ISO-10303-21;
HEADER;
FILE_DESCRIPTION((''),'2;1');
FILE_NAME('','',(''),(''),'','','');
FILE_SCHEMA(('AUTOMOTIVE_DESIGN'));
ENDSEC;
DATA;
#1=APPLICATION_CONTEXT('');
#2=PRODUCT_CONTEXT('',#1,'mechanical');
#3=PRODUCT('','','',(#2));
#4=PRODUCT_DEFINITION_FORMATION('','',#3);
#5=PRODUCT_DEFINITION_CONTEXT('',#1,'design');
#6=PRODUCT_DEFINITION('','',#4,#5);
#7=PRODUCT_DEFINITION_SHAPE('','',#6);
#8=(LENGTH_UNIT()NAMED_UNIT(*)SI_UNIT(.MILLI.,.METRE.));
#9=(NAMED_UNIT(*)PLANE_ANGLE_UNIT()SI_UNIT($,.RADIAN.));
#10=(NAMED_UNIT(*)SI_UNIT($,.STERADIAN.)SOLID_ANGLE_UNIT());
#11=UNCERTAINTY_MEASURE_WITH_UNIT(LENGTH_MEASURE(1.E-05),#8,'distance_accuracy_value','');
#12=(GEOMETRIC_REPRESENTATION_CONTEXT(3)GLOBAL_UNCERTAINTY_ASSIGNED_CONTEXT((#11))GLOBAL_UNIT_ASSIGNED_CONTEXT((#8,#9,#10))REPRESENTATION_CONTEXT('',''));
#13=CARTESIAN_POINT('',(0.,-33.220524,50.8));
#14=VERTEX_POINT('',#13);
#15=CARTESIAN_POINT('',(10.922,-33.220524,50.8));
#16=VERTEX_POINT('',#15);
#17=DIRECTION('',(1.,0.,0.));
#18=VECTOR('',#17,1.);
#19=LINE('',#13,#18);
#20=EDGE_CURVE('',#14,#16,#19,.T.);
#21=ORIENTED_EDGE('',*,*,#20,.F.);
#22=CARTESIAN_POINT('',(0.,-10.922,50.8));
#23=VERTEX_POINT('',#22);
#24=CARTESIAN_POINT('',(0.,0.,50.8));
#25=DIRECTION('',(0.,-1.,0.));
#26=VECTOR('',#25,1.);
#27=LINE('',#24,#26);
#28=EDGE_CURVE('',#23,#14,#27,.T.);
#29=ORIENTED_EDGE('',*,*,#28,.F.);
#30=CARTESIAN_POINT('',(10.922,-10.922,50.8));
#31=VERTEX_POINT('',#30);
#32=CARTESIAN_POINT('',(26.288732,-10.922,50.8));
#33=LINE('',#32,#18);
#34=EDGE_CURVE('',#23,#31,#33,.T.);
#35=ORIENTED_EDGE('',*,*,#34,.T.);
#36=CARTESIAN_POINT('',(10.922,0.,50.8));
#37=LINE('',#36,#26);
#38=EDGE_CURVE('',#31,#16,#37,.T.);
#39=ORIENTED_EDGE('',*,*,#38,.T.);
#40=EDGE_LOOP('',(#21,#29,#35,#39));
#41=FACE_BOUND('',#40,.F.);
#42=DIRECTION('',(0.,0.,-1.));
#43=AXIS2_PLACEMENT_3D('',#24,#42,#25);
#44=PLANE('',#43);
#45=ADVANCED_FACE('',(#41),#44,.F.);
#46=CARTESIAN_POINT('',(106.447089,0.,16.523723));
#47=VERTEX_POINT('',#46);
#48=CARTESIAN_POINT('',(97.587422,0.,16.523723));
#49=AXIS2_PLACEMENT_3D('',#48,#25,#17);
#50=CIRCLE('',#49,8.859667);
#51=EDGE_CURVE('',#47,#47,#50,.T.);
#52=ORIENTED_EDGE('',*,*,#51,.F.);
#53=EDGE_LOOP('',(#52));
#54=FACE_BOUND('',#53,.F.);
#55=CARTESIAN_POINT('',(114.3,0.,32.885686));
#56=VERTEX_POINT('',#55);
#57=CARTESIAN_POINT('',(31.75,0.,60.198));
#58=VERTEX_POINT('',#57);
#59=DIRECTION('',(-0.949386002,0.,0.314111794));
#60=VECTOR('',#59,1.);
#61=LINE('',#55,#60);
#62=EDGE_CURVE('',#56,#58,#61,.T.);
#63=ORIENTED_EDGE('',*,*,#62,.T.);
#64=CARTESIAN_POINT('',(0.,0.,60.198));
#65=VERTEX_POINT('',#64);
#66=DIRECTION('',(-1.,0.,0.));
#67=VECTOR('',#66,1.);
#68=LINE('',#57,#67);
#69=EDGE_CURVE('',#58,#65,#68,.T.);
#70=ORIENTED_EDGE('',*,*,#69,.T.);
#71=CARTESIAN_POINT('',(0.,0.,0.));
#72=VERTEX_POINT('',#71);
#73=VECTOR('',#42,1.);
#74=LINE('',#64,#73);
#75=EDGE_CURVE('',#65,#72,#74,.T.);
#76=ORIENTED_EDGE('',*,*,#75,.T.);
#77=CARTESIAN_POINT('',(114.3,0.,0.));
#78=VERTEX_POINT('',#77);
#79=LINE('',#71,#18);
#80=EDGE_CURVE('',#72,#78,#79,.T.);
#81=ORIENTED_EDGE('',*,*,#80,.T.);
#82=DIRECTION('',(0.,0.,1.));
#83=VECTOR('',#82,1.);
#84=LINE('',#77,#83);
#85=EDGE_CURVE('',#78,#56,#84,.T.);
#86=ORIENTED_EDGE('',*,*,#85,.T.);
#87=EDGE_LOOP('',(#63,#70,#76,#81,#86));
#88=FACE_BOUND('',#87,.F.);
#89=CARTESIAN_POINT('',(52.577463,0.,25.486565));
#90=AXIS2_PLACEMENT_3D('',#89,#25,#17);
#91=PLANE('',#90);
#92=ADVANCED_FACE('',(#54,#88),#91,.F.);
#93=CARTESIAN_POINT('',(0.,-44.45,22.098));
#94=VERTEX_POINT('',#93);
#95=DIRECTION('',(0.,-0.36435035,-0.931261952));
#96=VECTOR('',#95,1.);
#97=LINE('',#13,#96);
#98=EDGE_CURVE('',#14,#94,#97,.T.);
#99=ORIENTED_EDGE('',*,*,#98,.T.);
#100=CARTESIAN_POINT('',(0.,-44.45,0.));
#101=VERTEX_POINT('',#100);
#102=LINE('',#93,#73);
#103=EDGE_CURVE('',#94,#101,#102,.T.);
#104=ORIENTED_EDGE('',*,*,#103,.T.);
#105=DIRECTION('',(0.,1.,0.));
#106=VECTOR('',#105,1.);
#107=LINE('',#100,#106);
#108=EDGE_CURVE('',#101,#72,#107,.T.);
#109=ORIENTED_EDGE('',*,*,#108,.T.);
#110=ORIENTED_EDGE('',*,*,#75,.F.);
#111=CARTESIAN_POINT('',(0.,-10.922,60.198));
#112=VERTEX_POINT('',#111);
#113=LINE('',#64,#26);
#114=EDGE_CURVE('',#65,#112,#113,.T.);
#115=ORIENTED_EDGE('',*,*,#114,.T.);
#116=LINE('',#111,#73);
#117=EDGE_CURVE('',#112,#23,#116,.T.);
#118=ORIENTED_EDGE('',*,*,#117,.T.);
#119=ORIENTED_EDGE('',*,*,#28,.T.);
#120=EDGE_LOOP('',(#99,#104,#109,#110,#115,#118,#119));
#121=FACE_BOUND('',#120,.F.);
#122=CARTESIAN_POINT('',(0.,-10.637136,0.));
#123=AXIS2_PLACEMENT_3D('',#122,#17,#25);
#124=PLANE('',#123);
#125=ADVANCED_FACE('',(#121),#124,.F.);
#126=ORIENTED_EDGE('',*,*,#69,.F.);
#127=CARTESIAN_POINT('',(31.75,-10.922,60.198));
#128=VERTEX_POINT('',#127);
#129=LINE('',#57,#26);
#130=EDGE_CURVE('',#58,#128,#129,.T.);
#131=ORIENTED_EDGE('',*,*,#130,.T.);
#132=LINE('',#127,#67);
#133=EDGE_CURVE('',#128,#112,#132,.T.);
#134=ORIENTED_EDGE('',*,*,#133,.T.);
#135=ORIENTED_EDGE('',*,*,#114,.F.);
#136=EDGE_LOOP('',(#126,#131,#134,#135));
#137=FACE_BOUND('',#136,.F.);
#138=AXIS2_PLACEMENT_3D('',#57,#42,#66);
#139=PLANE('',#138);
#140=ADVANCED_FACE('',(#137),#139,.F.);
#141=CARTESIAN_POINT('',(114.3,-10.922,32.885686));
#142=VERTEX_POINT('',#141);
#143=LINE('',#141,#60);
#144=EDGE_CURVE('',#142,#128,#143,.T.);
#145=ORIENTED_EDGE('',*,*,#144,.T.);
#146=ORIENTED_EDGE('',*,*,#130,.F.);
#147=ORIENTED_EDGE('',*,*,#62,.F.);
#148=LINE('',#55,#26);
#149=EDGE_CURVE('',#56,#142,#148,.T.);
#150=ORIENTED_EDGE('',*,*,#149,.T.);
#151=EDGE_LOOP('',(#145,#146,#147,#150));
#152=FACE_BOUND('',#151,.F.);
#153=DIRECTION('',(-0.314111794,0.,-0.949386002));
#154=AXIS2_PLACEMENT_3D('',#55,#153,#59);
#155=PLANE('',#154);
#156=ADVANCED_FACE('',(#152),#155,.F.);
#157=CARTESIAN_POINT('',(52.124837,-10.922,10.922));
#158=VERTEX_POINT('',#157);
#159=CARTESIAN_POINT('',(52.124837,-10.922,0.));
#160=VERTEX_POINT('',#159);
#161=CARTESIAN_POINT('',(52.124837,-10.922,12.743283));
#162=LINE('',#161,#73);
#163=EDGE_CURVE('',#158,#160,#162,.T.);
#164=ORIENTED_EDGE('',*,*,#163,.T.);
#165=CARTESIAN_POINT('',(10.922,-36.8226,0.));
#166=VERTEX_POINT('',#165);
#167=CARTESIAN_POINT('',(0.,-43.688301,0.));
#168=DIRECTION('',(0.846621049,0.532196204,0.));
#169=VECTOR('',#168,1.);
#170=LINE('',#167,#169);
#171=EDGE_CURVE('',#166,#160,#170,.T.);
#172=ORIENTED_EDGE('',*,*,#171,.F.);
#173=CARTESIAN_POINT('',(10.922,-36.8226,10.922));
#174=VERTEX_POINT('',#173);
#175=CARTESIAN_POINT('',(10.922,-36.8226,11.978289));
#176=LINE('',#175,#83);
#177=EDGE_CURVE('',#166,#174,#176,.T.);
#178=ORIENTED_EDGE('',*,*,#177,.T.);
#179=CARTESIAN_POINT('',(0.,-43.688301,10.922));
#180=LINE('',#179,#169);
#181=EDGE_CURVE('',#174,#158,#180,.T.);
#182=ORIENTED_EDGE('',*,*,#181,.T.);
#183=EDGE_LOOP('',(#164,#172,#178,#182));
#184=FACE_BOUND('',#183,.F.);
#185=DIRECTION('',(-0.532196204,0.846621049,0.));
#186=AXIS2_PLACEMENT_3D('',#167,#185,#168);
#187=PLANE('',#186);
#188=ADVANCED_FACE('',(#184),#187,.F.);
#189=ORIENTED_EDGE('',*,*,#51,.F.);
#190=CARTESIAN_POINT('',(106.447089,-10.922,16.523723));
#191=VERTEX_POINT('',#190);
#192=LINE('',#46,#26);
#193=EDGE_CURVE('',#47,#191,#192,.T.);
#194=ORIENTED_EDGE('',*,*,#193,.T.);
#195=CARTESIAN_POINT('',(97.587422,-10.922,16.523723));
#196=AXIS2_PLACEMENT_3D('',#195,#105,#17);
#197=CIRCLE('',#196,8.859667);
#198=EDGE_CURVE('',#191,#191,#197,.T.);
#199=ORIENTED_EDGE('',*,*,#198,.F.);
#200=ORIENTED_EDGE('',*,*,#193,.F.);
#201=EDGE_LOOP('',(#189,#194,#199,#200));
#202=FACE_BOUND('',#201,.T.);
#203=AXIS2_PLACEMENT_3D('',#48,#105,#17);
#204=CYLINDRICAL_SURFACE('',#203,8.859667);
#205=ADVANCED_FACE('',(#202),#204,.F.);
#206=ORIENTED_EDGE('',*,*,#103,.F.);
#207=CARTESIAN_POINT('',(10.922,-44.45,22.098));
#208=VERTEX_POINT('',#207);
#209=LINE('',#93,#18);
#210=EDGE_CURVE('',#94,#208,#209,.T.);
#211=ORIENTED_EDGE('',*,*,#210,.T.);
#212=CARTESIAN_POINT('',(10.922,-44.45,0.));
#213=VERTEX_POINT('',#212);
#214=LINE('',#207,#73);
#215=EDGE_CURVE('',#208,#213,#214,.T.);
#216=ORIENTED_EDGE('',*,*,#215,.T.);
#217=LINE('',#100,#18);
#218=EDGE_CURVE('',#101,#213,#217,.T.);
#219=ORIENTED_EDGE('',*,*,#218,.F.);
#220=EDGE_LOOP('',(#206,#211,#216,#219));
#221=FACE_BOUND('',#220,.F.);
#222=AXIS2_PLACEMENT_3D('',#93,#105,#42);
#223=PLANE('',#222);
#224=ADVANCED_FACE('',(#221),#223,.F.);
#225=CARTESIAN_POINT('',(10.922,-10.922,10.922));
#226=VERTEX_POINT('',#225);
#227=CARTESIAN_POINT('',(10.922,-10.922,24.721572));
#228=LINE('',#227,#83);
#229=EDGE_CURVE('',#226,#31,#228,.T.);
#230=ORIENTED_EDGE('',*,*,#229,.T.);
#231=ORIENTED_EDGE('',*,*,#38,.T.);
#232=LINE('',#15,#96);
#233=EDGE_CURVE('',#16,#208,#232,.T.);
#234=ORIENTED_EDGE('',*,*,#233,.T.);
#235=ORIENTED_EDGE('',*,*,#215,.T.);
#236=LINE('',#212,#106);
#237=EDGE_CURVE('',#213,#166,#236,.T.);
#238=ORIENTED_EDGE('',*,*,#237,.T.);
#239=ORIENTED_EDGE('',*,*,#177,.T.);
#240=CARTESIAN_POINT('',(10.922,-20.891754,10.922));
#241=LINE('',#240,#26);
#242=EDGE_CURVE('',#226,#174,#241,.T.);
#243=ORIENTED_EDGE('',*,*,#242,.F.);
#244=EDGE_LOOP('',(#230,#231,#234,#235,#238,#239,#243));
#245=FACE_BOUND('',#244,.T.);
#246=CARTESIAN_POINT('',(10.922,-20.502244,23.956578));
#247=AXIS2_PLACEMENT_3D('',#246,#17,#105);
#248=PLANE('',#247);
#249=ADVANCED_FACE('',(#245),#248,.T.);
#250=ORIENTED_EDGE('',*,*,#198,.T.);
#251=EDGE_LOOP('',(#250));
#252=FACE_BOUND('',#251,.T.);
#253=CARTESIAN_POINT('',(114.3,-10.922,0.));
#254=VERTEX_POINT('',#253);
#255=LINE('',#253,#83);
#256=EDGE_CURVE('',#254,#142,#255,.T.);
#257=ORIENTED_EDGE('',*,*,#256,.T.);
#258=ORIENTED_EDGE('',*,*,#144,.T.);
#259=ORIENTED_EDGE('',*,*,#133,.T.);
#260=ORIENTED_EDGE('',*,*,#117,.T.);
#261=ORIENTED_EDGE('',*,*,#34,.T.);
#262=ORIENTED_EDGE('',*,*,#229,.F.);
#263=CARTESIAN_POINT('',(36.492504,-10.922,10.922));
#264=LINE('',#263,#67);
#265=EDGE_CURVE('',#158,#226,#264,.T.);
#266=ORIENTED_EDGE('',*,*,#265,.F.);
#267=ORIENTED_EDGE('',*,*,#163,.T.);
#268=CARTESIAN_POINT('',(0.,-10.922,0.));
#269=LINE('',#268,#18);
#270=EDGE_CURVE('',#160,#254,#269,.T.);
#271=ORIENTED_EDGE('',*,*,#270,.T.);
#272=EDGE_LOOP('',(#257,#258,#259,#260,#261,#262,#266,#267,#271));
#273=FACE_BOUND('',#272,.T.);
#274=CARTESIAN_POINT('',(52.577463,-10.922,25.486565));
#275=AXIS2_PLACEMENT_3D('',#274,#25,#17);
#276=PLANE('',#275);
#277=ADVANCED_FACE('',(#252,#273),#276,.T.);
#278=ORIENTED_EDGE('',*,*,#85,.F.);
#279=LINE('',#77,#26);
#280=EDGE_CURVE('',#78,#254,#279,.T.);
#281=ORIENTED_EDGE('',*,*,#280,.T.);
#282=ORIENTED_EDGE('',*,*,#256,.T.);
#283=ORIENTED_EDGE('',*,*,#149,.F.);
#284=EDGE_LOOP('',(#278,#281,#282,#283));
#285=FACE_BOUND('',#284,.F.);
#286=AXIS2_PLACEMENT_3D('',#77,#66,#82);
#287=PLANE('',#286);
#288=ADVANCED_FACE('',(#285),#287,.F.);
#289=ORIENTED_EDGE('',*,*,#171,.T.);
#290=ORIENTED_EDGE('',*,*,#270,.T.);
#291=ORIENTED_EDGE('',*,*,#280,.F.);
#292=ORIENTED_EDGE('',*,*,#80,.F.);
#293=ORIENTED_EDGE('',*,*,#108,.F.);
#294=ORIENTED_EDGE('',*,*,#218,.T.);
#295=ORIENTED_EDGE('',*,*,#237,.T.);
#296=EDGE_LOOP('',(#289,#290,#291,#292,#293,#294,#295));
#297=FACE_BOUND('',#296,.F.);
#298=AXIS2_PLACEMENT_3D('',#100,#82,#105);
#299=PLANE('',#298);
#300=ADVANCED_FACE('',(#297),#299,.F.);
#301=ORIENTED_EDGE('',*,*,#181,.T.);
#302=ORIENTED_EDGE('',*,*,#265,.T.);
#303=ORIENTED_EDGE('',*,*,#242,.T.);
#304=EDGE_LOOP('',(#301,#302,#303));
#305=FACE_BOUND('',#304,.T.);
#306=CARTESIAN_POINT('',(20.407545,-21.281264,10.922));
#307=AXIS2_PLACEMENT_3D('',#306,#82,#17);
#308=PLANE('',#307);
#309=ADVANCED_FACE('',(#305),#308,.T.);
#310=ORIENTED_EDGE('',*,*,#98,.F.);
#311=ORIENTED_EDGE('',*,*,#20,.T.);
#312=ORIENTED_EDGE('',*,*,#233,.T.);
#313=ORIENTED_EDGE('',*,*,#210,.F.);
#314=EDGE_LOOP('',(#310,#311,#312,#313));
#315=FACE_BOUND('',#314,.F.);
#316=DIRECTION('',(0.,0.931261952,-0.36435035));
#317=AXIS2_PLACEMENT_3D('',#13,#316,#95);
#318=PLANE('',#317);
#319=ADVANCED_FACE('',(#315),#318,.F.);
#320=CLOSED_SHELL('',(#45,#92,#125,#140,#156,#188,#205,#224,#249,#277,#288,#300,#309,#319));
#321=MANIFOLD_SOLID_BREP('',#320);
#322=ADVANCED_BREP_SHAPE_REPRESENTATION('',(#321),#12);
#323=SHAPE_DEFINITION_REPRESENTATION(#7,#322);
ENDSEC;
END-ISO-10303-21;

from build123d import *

# Parameters (mm, degrees)
F1_DEPTH = 10.922
F3_DEPTH = 10.922
F5_DEPTH = 10.922
F6_R     = 8.859667
F7_DEPTH = 88.646


with BuildPart() as f1:
    # F0 (on Front) → F1 (new body)
    with BuildSketch(Plane.XZ):
        Polygon((31.75, 60.198), (0, 60.198), (0, 0), (114.3, 0), (114.3, 32.885686), align=None)
    extrude(amount=F1_DEPTH)

    # F2 (on Right) → F3 (join)
    with BuildSketch(Plane.YZ):
        Polygon((-44.45, 0), (0, 0), (0, 50.8), (-33.220524, 50.8), (-44.45, 22.098), align=None)
    extrude(amount=F3_DEPTH)

    # F4 (on Top) → F5 (join)
    with BuildSketch(Plane.XY):
        Polygon((52.578, -10.637136), (0, -10.637136), (0, -43.688301), align=None)
    extrude(amount=F5_DEPTH)

    # F6 (on Front) → F7 (cut)
    with BuildSketch(Plane.XZ):
        with Locations((97.587422, 16.523723)):
            Circle(F6_R)
    extrude(amount=F7_DEPTH, mode=Mode.SUBTRACT)


solid = f1.part
